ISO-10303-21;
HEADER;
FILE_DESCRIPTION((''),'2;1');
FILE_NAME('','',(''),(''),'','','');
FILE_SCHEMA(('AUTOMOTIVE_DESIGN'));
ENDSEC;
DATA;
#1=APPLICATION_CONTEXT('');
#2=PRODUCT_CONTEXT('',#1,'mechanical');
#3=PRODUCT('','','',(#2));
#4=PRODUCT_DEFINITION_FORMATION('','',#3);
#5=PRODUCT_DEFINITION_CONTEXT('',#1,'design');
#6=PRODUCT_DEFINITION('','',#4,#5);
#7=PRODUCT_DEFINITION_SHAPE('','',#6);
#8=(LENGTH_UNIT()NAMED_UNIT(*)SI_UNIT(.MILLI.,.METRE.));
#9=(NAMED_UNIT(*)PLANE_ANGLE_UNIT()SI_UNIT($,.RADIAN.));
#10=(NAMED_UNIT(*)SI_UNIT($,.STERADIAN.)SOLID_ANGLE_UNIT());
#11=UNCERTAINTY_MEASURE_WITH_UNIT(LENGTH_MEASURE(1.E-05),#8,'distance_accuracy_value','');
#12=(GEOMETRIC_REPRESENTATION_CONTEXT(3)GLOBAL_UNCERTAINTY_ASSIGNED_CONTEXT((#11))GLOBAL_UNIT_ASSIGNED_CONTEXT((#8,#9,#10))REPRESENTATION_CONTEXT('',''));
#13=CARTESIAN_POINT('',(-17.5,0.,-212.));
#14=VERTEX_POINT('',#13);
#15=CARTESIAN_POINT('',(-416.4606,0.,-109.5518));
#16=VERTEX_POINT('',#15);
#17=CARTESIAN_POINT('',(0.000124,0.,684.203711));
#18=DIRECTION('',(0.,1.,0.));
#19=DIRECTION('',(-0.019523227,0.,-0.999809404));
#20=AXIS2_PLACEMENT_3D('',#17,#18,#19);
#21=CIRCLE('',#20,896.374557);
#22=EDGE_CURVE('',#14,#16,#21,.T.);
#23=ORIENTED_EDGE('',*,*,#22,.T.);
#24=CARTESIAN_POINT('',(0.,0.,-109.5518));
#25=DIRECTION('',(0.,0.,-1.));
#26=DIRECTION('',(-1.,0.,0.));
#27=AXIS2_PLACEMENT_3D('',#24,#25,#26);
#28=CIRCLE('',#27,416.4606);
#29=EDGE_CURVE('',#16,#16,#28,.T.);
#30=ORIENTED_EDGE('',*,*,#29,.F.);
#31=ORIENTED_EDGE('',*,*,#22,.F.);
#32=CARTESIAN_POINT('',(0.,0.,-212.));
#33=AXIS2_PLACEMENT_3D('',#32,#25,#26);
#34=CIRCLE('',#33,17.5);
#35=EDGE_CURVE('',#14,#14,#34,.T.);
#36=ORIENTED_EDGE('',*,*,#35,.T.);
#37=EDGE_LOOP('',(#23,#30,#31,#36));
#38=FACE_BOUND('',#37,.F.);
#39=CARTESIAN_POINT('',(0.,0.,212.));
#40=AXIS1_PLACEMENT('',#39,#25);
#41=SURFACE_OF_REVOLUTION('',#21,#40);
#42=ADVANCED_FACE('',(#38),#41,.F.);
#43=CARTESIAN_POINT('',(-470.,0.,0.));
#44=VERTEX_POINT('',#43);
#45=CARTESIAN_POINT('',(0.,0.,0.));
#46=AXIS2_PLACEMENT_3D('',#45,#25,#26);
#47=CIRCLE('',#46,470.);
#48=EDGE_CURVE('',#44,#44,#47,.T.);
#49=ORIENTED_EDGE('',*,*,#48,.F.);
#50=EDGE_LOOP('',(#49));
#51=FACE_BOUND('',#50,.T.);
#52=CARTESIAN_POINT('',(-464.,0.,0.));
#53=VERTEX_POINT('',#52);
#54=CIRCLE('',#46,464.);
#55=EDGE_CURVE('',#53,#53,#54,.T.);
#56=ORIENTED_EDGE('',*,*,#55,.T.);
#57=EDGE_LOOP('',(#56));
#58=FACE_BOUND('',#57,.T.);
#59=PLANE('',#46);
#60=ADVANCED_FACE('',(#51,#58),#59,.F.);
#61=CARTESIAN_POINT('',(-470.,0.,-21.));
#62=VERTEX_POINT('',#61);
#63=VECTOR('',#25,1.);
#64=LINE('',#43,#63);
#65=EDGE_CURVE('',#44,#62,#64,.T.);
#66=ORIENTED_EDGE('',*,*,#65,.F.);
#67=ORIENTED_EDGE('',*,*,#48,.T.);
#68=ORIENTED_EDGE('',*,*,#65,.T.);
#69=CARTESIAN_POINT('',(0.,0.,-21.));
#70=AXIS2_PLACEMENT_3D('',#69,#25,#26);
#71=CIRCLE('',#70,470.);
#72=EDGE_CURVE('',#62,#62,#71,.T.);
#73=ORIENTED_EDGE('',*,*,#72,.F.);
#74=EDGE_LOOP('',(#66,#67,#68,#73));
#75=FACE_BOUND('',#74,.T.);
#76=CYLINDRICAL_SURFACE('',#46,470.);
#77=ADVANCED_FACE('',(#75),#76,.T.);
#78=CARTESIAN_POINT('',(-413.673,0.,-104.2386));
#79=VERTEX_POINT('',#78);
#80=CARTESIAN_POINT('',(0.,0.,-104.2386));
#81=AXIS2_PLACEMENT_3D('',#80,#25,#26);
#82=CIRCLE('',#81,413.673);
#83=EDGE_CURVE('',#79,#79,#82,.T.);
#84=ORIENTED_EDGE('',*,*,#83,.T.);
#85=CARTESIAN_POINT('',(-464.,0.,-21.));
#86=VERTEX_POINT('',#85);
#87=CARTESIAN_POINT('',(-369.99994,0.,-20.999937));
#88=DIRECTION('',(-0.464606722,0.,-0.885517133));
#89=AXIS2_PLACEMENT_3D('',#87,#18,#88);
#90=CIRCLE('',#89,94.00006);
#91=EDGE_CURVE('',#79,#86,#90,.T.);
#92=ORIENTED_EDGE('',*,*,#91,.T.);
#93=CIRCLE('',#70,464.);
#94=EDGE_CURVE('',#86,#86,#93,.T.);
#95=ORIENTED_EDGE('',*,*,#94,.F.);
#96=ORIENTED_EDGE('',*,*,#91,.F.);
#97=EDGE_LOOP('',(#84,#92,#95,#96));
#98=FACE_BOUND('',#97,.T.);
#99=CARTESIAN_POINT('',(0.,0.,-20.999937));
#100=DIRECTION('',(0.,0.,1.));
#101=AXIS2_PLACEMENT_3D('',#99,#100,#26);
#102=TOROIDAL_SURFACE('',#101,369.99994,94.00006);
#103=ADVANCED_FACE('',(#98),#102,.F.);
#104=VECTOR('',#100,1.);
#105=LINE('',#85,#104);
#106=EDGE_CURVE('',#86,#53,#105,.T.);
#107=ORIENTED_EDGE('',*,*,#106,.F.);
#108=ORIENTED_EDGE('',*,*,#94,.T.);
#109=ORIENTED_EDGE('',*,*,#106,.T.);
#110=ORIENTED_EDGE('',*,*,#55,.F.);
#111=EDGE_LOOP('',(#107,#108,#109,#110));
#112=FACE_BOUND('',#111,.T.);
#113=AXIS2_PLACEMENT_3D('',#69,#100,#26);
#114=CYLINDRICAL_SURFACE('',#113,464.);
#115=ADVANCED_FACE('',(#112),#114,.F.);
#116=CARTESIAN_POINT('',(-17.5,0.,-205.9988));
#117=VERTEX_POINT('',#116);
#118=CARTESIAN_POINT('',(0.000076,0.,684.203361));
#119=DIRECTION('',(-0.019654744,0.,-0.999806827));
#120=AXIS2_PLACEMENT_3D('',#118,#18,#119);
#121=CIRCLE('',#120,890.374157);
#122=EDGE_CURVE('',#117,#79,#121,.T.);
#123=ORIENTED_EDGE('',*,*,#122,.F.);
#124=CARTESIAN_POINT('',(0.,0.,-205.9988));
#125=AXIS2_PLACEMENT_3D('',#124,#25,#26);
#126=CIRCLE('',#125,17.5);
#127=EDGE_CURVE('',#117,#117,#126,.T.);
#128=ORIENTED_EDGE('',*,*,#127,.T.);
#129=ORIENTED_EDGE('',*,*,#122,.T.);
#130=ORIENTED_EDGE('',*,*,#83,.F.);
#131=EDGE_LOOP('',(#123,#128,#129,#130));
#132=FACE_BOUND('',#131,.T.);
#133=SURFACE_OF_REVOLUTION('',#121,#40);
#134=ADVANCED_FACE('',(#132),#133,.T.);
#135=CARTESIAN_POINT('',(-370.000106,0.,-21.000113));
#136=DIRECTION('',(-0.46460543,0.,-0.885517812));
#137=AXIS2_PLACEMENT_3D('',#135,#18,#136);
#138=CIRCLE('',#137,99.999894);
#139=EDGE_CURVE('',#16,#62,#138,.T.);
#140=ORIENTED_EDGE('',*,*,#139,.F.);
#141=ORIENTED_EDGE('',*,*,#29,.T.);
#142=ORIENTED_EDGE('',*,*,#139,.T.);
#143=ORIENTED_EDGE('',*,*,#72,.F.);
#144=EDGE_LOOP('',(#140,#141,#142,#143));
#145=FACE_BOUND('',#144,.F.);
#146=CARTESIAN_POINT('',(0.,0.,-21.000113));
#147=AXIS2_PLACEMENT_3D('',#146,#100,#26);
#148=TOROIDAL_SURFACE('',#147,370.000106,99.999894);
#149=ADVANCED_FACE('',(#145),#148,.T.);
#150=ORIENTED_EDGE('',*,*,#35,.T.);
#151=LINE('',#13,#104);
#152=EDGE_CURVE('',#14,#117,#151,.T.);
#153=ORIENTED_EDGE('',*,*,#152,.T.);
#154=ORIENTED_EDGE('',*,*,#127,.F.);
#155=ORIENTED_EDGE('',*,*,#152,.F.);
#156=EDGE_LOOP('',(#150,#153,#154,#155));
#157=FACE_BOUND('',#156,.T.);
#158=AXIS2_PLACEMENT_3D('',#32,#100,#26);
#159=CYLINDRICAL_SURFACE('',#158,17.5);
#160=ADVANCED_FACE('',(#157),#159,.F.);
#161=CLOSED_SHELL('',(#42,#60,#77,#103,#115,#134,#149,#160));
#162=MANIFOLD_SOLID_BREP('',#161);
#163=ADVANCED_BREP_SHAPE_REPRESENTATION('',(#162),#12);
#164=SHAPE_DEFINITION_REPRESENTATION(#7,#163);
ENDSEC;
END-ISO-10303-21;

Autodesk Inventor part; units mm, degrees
ref_plane "YZ Plane" through (0, 0, 0) normal (1, 0, 0) x (0, 1, 0)
ref_plane "XZ Plane" through (0, 0, 0) normal (0, 1, 0) x (-1, 0, 0)
ref_plane "XY Plane" through (0, 0, 0) normal (0, 0, 1) x (1, 0, 0)
sketch "Sketch1" plane through (0, 0, 0) normal (0, 1, 0) x (-1, 0, 0)
  line L0 (470, 0) -> (470, -21)
  arc A0 (416.4606, -109.5518) -> (470, -21) centre (370, -21) ccw
  arc A1 (17.5, -212) -> (416.4606, -109.5518) centre (0, 684.2028) ccw
  line L1 (0, 212) -> (0, -212)
  arc A2 (17.5, -205.9988) -> (413.673, -104.2386) centre (0, 684.2028) ccw
  arc A3 (413.673, -104.2386) -> (464, -21) centre (370, -21) ccw
  line L2 (464, -21) -> (464, 0)
  line L3 (464, 0) -> (470, 0)
  line L4 (0, -212) -> (17.5, -212)
  line L5 (0, -205.9988) -> (17.5, -205.9988)
  line L6 (17.5, -212) -> (17.5, -205.9988)
  point P0 (0, 0)
  point P1 (0, 0)
  point P2 (0, -163.7009)
  point P3 (0, -169.7009)
  dimension "d0" = 100
  dimension "d1" = 21
  dimension "d3" = 896.3737
  dimension "d6" = 6
  dimension "d13" = 35
  dimension "d14" = 940
  dimension "d15" = 212
revolve "Revolution1" add sketch "Sketch1" angle 360 about axis through (0, 0, 212) along (0, 0, -1) contours L0 A0 A1 L6 A2 A3 L2 L3
equation "\"d0\" = tech_dishhead_small_rad"
equation "\"d1\" = tech_dishhead_edge_hight"
equation "\"d13\" = tech_dishhead_bottom_hole"
equation "\"d14\" = MAIN_filter_diam"
equation "\"d15\" = MAIN_dished_head_hight"
equation "\"tech_dishhead_small_rad\" = 100"
equation "\"tech_dishhead_edge_hight\" = 21"
equation "\"tech_dishhead_bottom_hole\" = 35"
equation "\"MAIN_filter_diam\" = 940"
equation "\"MAIN_dished_head_hight\" = 212"
properties part number "TZS 0908 dished head" material "Steel"
